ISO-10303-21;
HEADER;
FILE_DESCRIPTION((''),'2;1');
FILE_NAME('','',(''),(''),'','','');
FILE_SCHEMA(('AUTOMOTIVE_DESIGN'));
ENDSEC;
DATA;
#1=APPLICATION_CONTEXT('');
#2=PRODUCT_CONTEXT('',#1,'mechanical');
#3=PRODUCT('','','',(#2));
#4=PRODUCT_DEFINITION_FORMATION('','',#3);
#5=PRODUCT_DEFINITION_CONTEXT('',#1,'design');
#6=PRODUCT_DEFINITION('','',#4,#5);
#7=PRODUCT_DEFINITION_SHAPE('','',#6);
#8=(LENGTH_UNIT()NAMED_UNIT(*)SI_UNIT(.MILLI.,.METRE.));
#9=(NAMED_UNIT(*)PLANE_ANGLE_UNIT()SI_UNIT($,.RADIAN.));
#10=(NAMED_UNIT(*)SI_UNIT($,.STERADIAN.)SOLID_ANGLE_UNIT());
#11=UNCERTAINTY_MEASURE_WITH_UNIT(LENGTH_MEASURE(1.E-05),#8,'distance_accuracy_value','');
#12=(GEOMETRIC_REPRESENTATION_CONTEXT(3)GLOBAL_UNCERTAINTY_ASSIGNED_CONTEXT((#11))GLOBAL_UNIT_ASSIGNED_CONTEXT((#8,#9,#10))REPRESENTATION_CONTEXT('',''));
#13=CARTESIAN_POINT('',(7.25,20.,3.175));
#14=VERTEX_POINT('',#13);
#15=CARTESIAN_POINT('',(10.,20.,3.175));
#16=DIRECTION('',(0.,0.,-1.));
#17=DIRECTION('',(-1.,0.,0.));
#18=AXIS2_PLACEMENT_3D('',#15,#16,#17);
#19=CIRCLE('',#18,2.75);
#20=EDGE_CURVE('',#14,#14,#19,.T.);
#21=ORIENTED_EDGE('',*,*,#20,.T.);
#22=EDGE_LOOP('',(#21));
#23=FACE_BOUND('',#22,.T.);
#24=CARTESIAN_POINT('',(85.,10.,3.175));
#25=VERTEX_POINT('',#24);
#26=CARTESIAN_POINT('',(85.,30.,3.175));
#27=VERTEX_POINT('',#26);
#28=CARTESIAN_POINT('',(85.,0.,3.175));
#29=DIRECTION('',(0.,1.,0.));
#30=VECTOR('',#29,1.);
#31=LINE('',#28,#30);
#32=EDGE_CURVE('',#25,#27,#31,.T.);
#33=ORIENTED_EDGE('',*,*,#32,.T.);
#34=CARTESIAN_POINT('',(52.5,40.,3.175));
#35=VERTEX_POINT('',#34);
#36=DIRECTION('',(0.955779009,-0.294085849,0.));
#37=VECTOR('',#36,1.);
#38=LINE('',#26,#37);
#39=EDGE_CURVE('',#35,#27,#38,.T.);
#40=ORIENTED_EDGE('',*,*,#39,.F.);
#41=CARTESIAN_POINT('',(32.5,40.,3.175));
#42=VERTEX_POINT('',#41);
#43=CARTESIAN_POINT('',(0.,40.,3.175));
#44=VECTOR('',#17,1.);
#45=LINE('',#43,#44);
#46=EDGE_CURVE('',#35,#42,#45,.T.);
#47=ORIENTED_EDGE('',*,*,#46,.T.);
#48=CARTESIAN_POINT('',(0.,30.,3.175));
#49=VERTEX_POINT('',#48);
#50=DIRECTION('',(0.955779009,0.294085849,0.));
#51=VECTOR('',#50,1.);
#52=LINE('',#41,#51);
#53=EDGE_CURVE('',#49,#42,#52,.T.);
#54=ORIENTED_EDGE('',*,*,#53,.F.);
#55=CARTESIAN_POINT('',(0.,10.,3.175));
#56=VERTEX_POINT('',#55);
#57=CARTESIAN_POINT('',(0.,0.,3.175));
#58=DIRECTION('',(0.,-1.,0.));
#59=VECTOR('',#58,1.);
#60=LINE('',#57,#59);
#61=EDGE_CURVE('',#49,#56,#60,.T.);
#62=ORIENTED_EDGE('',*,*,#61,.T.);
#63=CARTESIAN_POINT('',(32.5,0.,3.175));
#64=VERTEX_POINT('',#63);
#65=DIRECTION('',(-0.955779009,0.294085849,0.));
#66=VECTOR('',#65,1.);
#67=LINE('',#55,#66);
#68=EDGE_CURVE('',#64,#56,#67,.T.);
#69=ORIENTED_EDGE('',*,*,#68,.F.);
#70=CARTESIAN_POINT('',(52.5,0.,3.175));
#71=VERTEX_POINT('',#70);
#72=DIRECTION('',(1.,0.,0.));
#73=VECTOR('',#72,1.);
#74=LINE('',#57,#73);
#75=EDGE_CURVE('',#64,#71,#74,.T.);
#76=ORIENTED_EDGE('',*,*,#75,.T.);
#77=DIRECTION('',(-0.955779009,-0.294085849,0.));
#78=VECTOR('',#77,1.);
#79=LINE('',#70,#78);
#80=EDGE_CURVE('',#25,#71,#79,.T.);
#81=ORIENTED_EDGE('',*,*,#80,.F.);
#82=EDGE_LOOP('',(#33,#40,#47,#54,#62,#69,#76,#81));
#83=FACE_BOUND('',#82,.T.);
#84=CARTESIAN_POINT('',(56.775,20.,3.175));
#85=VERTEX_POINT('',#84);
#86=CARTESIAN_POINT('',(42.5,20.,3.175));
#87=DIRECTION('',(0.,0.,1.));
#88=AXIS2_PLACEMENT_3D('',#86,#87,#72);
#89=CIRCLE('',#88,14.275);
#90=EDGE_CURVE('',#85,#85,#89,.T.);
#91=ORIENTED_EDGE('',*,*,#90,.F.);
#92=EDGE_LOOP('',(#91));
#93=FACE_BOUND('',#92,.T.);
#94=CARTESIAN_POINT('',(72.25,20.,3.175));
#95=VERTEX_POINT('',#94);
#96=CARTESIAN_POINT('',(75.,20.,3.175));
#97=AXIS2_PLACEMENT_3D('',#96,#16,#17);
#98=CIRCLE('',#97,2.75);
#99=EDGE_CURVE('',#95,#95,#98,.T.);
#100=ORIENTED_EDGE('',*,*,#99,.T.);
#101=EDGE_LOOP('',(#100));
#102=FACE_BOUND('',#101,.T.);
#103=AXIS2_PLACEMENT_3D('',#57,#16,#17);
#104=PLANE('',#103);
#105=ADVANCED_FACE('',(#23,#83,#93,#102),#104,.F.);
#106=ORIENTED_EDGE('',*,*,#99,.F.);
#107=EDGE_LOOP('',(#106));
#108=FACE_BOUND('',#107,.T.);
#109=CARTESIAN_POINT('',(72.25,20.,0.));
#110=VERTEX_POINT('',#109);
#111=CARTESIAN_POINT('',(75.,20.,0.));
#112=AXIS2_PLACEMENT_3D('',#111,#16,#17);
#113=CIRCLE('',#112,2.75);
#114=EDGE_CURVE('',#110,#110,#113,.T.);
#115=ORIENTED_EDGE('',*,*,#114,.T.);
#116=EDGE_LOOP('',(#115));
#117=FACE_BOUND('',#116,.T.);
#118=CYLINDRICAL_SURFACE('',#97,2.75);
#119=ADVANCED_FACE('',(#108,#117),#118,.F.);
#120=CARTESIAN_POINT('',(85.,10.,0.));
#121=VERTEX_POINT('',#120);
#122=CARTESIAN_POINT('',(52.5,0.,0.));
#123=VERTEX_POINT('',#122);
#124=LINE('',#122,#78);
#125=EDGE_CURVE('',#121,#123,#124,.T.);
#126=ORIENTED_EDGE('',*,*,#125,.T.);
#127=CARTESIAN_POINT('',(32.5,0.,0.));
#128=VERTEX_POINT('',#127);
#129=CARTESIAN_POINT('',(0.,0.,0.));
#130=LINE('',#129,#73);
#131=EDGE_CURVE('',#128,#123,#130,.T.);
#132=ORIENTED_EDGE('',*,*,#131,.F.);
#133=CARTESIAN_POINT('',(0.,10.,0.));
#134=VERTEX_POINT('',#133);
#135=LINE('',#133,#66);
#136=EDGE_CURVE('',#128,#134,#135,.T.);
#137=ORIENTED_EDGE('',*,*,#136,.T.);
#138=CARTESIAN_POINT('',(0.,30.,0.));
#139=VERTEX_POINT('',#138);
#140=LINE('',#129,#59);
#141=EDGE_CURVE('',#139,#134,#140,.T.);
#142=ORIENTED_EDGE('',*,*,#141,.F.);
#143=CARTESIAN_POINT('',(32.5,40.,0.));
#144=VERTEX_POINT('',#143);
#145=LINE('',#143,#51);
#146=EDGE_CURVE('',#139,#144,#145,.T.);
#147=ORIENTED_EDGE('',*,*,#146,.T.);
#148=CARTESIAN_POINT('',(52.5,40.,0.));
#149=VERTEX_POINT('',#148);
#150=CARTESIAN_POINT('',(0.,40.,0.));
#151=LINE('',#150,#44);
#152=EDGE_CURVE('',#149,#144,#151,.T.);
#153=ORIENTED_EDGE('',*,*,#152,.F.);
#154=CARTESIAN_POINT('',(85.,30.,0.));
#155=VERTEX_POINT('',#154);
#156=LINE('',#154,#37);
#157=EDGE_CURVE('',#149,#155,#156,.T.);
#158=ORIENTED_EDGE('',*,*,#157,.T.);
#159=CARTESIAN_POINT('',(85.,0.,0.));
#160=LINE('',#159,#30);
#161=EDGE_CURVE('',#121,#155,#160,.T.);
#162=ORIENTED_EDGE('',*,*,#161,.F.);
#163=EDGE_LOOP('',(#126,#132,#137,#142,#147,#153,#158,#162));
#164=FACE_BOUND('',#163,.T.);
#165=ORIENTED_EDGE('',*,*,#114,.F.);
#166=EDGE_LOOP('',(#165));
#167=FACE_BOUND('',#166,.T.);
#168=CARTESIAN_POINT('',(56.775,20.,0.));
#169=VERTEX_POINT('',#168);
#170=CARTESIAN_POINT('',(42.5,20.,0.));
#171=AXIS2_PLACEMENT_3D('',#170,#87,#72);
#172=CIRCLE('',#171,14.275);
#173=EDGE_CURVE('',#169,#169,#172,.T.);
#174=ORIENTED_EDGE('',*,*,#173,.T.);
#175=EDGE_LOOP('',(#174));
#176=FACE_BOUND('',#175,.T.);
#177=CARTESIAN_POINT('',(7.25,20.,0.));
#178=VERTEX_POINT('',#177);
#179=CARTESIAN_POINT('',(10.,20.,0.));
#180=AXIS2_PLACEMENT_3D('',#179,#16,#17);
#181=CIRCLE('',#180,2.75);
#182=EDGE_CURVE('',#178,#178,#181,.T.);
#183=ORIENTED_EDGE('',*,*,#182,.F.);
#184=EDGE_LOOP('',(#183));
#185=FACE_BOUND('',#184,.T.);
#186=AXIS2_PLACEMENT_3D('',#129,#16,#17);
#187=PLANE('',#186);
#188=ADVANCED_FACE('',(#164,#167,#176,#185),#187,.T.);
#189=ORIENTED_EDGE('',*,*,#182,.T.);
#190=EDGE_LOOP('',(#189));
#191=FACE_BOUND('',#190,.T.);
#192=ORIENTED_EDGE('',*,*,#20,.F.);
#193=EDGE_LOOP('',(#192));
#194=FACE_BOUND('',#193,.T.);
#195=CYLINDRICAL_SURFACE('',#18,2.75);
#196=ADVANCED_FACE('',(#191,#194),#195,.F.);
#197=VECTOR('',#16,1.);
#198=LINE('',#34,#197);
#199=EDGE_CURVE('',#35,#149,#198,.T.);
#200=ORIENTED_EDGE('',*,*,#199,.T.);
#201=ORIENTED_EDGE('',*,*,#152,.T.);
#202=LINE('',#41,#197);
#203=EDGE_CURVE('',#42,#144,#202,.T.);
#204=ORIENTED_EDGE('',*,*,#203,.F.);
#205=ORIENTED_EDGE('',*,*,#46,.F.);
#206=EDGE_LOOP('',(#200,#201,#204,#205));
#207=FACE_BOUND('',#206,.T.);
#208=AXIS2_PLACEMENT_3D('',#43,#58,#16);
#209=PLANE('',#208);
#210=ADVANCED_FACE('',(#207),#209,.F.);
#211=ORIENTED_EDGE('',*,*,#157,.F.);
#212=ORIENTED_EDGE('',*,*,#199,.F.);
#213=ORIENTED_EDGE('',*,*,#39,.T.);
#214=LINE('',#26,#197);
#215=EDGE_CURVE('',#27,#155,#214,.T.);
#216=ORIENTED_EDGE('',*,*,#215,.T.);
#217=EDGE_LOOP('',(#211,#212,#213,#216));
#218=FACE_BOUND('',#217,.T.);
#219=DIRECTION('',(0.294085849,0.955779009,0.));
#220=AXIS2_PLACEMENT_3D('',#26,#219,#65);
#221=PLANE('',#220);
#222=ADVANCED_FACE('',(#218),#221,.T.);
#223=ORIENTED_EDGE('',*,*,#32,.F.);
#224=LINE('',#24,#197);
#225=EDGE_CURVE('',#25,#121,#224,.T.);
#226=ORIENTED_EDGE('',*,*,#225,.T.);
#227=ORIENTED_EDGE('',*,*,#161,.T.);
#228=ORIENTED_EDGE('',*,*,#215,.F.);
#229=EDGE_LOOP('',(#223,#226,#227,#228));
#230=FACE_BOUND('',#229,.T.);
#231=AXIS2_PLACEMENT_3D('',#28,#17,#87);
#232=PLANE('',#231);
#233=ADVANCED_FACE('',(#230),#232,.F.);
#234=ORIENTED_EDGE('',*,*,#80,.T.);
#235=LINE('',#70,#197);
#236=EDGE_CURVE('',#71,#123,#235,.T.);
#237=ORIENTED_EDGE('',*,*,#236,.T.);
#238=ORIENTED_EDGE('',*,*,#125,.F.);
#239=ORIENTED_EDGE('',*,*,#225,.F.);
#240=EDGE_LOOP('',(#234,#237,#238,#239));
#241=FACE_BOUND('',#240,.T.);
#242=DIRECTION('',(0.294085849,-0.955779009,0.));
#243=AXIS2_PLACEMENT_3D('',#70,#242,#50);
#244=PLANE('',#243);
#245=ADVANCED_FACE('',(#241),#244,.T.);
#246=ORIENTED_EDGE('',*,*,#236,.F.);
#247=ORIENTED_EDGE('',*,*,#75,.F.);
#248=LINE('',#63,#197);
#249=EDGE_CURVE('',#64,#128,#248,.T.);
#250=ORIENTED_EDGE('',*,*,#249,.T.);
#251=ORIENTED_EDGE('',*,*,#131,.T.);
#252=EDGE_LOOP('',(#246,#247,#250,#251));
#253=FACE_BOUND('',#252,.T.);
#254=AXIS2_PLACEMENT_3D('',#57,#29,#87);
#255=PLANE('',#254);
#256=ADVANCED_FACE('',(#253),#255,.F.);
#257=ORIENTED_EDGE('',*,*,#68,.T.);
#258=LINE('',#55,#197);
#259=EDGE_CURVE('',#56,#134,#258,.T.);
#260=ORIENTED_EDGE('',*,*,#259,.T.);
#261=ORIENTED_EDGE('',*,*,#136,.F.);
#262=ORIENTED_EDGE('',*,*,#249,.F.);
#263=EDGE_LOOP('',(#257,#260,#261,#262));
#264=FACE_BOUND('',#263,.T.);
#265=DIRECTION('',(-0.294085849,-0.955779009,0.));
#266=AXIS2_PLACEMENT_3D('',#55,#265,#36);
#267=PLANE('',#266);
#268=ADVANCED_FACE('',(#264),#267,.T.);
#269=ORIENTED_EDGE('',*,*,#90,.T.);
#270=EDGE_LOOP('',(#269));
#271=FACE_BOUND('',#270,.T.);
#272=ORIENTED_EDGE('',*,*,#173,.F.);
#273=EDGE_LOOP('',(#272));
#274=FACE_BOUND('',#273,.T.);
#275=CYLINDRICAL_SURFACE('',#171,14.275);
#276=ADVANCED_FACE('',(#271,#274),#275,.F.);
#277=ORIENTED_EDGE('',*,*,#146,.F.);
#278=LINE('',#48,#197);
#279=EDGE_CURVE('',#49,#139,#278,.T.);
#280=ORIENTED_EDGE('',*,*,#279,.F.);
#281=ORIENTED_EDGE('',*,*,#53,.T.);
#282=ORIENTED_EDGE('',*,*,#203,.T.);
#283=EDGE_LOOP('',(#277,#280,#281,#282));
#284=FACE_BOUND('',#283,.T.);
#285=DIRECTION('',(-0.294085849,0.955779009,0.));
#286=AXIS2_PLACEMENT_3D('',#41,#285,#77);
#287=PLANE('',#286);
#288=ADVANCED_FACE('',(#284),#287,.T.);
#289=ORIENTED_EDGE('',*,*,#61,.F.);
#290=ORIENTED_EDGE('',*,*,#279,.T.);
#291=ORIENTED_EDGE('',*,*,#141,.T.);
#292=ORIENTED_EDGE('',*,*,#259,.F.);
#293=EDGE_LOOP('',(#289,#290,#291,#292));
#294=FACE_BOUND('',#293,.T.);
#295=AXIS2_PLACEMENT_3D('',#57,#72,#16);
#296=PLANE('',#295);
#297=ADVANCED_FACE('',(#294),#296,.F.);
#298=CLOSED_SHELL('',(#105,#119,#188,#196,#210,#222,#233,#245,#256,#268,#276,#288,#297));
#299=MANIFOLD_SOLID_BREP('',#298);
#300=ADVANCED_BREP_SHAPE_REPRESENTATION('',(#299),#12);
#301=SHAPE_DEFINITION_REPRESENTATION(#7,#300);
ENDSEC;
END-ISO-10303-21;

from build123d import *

# Parameters (mm, degrees)
SKETCH1_W           = 85
SKETCH1_H           = 40
BOSS_EXTRUDE1_DEPTH = 3.175
SKETCH2_R           = 14.275
CUT_EXTRUDE1_DEPTH  = 4.175
SKETCH4_OUTSIDE_W   = 105.8
SKETCH4_OUTSIDE_H   = 60.8
CUT_EXTRUDE4_DEPTH  = 4.175
SKETCH6_R           = 2.75
CUT_EXTRUDE6_DEPTH  = 4.175


with BuildPart() as part:
    # Sketch1 → Boss-Extrude1 (new body)
    with BuildSketch(Plane.XY):
        with Locations((42.5, 20)):
            Rectangle(SKETCH1_W, SKETCH1_H)
    extrude(amount=BOSS_EXTRUDE1_DEPTH)

    # Sketch2 → Cut-Extrude1 (cut, through all)
    with BuildSketch(Plane.XY.offset(3.175)):
        with Locations((42.5, 20)):
            Circle(SKETCH2_R)
    extrude(amount=-CUT_EXTRUDE1_DEPTH, mode=Mode.SUBTRACT)

    # Sketch4 outside → Cut-Extrude4 (cut, through all)
    with BuildSketch(Plane(origin=(0, 0, 0), x_dir=(-1, 0, 0), z_dir=(0, 0, -1))):
        with Locations((-42.5, 20)):
            Rectangle(SKETCH4_OUTSIDE_W, SKETCH4_OUTSIDE_H)
        Polygon((-32.5, 40), (0, 30), (0, 10), (-32.5, 0), (-52.5, 0), (-85, 10), (-85, 30), (-52.5, 40), align=None, mode=Mode.SUBTRACT)
    extrude(amount=-CUT_EXTRUDE4_DEPTH, mode=Mode.SUBTRACT)

    # Sketch6 → Cut-Extrude6 (cut, through all)
    with BuildSketch(Plane(origin=(0, 0, 0), x_dir=(-1, 0, 0), z_dir=(0, 0, -1))):
        with Locations((-75, 20)):
            Circle(SKETCH6_R)
        with Locations((-10, 20)):
            Circle(SKETCH6_R)
    extrude(amount=-CUT_EXTRUDE6_DEPTH, mode=Mode.SUBTRACT)


solid = part.part
